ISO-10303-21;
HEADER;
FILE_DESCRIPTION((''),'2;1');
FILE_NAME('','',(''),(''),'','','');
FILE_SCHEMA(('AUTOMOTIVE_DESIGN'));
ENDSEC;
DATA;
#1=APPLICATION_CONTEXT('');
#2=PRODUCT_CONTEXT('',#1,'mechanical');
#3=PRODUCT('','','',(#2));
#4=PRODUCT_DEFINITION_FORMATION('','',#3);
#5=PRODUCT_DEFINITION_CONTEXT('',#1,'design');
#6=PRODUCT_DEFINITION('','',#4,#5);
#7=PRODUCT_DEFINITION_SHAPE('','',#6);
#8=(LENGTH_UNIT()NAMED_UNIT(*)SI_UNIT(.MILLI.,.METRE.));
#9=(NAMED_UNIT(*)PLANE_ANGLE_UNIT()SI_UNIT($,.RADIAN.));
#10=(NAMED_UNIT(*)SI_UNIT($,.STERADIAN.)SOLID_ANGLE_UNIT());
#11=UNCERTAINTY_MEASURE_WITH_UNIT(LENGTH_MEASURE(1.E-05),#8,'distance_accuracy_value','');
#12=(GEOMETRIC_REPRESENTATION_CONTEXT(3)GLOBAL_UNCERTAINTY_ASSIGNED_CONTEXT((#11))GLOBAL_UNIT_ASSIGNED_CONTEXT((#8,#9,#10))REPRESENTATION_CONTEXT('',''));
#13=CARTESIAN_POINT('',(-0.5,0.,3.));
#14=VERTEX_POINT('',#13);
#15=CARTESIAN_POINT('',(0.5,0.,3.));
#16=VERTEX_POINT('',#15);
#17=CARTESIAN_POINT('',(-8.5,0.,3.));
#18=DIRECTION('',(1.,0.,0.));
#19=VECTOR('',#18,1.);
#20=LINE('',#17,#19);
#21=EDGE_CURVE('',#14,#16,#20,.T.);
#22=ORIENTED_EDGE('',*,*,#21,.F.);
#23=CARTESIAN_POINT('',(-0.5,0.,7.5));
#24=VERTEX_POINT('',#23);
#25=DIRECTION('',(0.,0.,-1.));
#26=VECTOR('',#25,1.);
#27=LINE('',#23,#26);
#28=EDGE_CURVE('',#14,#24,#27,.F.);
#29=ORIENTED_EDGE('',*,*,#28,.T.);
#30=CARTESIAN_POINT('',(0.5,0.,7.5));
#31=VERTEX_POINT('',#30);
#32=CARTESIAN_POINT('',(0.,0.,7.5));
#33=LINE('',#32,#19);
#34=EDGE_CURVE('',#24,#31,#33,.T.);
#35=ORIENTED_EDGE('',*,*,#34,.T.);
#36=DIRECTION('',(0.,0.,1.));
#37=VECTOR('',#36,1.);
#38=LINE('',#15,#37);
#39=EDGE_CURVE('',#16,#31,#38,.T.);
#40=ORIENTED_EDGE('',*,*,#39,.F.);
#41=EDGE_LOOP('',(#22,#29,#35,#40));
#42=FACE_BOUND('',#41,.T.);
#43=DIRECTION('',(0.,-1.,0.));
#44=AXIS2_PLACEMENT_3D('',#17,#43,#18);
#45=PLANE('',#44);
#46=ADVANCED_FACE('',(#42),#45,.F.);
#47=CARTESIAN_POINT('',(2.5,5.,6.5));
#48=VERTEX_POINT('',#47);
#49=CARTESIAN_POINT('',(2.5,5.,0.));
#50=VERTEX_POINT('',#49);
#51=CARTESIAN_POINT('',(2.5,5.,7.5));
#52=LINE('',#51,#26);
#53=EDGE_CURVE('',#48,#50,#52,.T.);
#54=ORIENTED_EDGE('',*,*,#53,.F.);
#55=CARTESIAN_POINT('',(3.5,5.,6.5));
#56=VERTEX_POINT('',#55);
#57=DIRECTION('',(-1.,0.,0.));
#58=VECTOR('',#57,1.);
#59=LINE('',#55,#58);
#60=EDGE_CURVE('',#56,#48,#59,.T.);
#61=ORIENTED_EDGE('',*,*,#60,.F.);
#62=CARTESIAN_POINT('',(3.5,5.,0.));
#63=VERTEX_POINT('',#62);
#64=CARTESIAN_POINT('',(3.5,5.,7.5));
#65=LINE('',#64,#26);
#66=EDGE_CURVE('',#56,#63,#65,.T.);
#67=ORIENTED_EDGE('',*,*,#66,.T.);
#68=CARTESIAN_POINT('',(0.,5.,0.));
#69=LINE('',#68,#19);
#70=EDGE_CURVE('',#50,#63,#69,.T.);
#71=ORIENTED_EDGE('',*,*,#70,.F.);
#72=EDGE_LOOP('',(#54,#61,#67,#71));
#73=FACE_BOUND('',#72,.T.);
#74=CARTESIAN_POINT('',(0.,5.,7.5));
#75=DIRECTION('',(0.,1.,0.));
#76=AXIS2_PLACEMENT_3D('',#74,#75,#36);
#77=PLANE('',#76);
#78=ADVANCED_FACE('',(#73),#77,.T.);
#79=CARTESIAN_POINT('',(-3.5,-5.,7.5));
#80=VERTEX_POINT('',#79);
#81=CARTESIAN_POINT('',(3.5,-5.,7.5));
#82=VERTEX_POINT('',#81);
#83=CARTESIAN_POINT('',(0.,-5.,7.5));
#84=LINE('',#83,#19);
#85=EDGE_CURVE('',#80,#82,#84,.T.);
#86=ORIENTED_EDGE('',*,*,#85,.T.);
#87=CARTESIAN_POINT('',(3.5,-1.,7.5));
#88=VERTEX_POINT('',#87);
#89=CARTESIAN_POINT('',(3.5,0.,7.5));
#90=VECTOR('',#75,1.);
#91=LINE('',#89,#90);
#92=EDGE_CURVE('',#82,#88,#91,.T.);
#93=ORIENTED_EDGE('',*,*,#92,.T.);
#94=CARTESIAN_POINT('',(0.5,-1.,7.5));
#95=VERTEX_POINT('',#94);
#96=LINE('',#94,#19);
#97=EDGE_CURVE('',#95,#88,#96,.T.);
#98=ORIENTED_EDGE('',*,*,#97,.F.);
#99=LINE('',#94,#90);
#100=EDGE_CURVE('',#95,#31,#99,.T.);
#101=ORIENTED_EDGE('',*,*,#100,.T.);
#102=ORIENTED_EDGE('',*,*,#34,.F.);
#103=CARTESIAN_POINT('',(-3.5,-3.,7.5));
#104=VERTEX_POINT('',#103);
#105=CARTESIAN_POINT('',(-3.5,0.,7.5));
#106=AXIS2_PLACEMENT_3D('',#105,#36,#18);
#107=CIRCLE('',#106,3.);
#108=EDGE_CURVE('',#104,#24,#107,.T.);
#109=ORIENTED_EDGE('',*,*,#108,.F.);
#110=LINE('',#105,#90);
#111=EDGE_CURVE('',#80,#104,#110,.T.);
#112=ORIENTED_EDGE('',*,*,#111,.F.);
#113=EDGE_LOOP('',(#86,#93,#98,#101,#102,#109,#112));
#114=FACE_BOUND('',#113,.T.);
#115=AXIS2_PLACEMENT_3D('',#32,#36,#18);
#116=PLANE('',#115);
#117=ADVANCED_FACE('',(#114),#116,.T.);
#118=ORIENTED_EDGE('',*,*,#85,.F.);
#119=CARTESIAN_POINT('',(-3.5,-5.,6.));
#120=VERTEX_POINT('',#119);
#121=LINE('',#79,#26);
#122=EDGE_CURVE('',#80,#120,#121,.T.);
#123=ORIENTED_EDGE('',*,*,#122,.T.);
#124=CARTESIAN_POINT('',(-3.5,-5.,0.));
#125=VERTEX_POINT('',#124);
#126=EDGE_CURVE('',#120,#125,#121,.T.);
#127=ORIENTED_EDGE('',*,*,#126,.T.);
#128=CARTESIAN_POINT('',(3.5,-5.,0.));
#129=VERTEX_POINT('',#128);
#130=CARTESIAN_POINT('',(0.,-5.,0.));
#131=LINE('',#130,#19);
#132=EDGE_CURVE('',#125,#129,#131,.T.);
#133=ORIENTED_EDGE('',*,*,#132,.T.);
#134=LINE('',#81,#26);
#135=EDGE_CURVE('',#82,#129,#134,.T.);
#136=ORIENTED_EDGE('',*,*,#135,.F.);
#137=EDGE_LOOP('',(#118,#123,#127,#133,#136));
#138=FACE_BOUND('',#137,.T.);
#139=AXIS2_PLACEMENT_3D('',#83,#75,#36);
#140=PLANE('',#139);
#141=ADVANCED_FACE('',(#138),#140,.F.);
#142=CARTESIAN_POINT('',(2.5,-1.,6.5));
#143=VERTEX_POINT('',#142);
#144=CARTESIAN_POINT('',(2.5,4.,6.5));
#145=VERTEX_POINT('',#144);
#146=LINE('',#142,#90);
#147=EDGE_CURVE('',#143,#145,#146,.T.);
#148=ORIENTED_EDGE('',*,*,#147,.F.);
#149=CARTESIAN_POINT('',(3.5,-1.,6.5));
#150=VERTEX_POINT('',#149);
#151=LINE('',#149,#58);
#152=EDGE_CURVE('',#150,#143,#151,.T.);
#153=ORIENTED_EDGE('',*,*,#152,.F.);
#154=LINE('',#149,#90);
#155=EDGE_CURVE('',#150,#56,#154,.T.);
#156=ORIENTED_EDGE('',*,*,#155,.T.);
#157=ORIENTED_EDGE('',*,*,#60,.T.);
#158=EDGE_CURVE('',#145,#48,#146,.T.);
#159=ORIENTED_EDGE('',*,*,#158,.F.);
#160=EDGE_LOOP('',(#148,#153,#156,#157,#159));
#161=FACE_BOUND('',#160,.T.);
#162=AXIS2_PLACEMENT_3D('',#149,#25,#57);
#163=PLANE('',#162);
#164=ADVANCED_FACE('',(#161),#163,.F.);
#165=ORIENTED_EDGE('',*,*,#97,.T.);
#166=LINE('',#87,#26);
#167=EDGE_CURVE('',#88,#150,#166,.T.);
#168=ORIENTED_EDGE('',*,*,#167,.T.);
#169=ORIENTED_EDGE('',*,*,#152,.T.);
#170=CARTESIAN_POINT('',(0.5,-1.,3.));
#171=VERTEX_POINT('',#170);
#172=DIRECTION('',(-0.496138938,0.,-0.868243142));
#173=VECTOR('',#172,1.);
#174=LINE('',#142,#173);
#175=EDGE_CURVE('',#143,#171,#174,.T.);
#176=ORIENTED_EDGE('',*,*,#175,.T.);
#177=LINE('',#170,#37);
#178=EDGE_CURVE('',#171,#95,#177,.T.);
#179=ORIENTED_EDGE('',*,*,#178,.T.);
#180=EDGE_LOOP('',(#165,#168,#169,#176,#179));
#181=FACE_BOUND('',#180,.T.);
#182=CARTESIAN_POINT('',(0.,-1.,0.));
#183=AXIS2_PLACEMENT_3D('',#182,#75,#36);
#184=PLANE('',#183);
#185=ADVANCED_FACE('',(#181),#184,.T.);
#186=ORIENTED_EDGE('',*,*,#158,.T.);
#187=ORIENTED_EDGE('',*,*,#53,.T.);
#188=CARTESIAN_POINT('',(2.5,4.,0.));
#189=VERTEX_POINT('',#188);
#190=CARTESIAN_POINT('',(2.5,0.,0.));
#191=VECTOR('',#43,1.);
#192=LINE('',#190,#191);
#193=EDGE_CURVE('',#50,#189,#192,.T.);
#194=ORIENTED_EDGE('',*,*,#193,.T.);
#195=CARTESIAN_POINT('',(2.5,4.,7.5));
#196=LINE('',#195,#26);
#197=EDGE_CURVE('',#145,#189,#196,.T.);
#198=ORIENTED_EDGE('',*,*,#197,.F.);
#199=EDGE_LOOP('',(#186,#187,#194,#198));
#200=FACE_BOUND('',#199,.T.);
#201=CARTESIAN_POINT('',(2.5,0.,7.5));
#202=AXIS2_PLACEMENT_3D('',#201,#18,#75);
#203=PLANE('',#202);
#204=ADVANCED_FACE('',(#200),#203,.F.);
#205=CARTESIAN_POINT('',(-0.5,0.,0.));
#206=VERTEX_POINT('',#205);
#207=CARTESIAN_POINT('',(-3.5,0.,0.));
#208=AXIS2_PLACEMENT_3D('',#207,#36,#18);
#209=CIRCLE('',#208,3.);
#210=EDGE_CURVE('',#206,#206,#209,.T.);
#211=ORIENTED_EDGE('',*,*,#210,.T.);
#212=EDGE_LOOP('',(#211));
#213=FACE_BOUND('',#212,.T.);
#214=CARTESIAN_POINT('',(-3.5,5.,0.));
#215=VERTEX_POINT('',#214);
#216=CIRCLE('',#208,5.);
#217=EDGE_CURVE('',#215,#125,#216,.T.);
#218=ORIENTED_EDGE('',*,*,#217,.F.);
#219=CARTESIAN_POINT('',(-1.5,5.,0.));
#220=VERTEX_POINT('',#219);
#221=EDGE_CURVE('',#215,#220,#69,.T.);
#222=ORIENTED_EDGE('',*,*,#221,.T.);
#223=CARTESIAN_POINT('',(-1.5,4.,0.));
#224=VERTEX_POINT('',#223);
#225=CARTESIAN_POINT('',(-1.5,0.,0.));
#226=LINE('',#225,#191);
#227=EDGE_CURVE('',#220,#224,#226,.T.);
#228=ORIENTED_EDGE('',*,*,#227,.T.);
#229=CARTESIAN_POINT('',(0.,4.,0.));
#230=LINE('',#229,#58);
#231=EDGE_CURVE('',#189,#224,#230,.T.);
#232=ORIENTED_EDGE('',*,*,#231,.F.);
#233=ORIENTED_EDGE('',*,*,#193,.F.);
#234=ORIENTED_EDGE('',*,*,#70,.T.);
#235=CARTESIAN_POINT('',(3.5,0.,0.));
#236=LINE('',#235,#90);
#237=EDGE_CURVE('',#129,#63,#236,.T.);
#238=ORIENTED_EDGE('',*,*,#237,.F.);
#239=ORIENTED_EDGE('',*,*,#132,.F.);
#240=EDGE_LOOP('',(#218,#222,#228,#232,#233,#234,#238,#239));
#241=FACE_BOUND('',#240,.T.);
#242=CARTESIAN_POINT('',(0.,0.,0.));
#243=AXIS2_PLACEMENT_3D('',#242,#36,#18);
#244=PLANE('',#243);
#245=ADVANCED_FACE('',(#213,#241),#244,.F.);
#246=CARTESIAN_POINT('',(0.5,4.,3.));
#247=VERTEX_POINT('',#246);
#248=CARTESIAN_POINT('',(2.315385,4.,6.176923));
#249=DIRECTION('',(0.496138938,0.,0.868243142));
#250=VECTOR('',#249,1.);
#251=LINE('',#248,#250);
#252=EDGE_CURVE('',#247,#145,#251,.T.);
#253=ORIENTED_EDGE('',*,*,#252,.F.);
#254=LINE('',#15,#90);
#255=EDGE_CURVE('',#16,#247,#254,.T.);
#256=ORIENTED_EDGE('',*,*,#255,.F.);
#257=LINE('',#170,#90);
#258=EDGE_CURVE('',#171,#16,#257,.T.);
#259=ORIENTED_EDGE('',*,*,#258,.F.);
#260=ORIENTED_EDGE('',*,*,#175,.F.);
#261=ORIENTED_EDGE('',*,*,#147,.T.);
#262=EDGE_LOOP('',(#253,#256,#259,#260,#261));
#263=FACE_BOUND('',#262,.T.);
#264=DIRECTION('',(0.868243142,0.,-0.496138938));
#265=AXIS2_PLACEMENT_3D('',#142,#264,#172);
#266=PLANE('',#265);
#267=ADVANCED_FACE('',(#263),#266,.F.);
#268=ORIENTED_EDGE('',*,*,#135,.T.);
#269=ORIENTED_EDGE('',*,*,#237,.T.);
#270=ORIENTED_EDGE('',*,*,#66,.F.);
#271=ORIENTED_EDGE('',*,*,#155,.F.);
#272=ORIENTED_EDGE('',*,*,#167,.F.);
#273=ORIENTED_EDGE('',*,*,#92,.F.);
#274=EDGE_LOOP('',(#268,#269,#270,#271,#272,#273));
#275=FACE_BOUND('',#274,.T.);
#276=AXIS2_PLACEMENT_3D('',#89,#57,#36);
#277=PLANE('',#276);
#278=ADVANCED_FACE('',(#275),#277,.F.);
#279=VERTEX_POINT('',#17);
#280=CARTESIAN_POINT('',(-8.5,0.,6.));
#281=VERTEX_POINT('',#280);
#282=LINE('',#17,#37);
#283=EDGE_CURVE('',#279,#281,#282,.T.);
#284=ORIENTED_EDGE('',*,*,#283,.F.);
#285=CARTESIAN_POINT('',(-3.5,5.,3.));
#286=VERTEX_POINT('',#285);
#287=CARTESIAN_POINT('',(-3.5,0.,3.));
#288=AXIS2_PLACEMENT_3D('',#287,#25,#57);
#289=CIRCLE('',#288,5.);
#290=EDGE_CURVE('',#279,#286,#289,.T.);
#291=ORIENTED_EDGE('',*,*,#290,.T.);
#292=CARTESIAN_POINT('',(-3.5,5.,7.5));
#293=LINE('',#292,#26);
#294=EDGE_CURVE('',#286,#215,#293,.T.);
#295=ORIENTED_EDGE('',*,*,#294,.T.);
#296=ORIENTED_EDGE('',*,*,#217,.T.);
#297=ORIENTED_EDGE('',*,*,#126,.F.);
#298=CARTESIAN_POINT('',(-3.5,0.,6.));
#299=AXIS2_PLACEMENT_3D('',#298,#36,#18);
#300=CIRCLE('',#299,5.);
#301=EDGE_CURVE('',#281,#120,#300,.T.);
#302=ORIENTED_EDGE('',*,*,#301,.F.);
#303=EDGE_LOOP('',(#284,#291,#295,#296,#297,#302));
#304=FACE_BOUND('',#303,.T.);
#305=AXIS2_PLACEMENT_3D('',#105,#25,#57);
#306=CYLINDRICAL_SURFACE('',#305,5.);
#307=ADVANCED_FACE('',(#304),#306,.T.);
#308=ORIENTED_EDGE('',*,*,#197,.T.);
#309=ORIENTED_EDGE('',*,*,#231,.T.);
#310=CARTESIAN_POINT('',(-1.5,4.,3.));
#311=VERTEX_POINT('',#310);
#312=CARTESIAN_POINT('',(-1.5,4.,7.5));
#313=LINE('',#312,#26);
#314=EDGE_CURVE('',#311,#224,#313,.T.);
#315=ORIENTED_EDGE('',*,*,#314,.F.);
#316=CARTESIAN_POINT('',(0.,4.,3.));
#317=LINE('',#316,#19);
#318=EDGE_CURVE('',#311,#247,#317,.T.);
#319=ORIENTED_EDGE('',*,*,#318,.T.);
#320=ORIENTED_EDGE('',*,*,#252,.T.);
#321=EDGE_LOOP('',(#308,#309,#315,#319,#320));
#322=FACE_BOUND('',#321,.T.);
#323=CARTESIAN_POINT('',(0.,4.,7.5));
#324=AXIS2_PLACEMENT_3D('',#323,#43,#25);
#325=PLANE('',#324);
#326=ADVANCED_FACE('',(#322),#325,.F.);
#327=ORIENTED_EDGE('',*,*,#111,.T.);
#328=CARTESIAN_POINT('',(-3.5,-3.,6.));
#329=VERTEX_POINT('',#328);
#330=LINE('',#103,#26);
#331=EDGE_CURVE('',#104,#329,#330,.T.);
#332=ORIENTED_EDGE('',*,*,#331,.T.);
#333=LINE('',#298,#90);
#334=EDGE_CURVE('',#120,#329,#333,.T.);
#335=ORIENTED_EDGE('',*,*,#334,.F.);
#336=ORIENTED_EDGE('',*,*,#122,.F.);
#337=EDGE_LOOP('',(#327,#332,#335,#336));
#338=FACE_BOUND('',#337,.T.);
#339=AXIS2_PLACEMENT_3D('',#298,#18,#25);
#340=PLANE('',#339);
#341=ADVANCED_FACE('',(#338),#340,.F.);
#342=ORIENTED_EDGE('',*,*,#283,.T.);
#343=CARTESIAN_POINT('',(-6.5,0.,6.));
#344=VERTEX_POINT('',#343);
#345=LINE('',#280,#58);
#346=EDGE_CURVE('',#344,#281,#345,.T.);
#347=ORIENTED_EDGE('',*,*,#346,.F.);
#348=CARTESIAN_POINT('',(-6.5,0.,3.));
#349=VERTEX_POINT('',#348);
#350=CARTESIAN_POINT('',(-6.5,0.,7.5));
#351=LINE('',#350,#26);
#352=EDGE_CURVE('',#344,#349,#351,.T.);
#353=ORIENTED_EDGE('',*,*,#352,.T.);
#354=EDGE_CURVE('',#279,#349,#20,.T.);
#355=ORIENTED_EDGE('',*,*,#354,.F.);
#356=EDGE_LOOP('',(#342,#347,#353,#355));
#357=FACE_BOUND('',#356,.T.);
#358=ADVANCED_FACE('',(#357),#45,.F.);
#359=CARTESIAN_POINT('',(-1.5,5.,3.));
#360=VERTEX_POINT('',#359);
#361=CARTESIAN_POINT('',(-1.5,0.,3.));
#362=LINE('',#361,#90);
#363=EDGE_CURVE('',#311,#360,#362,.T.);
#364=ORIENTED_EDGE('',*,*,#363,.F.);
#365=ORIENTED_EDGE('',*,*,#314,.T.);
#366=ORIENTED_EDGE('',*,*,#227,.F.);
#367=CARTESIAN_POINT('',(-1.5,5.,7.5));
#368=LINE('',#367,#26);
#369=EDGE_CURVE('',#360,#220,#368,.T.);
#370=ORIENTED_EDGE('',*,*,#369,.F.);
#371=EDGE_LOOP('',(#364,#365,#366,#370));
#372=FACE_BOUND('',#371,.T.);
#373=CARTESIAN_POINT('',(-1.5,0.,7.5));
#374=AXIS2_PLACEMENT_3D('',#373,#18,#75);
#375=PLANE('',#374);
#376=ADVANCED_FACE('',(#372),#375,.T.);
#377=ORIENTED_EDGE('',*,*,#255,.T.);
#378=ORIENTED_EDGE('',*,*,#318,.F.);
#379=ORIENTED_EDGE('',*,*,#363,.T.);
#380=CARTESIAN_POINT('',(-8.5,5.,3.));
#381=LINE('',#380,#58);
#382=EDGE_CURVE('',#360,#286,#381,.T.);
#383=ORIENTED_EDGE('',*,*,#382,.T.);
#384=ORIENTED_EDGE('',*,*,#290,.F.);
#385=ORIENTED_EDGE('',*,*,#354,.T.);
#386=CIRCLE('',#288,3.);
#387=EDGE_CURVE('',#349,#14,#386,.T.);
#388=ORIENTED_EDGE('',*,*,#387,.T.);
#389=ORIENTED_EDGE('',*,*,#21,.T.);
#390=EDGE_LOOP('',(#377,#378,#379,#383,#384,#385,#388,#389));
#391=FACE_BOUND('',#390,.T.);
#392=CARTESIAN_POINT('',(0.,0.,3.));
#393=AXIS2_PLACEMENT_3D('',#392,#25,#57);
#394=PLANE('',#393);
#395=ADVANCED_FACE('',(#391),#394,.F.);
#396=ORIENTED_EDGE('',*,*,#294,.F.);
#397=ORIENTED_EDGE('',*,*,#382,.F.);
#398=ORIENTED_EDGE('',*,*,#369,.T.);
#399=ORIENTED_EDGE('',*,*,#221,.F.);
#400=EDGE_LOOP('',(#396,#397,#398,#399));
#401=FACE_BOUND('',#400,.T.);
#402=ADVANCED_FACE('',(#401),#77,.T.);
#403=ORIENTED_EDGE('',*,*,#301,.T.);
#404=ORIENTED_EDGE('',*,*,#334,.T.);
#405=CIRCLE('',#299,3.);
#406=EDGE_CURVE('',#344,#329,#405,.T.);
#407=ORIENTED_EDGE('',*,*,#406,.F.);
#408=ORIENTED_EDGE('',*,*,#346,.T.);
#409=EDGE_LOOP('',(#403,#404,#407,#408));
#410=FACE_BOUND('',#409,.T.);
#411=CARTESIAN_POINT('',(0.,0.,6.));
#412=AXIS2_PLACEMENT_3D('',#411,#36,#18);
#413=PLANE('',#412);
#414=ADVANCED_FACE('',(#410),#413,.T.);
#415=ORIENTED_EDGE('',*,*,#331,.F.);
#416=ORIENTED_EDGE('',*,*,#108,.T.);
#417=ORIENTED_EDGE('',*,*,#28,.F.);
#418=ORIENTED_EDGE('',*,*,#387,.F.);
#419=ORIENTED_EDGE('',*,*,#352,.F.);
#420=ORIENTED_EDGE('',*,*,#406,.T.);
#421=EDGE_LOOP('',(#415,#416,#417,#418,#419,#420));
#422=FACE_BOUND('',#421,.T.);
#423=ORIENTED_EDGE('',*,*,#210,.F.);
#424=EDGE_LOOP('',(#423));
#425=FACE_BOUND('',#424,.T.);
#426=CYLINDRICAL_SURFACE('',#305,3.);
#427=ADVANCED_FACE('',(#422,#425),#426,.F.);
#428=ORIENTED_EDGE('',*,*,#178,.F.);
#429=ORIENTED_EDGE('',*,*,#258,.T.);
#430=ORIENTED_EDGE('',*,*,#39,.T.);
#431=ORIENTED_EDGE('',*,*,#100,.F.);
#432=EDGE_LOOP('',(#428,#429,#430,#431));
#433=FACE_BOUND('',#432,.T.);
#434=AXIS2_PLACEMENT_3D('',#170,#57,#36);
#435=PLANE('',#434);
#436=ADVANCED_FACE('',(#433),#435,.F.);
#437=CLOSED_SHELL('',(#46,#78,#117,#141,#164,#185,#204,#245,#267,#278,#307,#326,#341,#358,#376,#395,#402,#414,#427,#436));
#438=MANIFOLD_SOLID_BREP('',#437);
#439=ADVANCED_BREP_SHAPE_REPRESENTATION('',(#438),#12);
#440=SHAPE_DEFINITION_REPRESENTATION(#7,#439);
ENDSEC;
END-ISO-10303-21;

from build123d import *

# Parameters (mm, degrees)
SKETCH1_R           = 3
BOSS_EXTRUDE1_DEPTH = 7.5
SKETCH2_W           = 9
SKETCH2_H           = 5
CUT_EXTRUDE1_DEPTH  = 4.5
SKETCH3_W           = 5
SKETCH3_H           = 5
CUT_EXTRUDE2_DEPTH  = 1.5
CUT_EXTRUDE3_DEPTH  = 6


with BuildPart() as part:
    # Sketch1 → Boss-Extrude1 (new body)
    with BuildSketch(Plane.XY):
        with BuildLine():
            Line((-1.5, 5), (-3.5, 5))
            ThreePointArc((-3.5, 5), (-8.5, 0), (-3.5, -5))
            Line((-3.5, -5), (3.5, -5))
            Line((3.5, -5), (3.5, 5))
            Line((3.5, 5), (2.5, 5))
            Line((2.5, 5), (2.5, 4))
            Line((2.5, 4), (-1.5, 4))
            Line((-1.5, 4), (-1.5, 5))
        make_face()
        with Locations((-3.5, 0)):
            Circle(SKETCH1_R, mode=Mode.SUBTRACT)
    extrude(amount=BOSS_EXTRUDE1_DEPTH)

    # Sketch2 → Cut-Extrude1 (cut)
    with BuildSketch(Plane.XY.offset(7.5)):
        with Locations((-4, 2.5)):
            Rectangle(SKETCH2_W, SKETCH2_H)
    extrude(amount=-CUT_EXTRUDE1_DEPTH, mode=Mode.SUBTRACT)

    # Sketch3 → Cut-Extrude2 (cut)
    with BuildSketch(Plane.XY.offset(7.5)):
        with Locations((-6, -2.5)):
            Rectangle(SKETCH3_W, SKETCH3_H)
    extrude(amount=-CUT_EXTRUDE2_DEPTH, mode=Mode.SUBTRACT)

    # Sketch4 → Cut-Extrude3 (cut)
    with BuildSketch(Plane(origin=(0, 5, 0), x_dir=(1, 0, 0), z_dir=(0, 1, 0))):
        Polygon((3.5, -6.5), (2.5, -6.5), (0.5, -3), (0.5, -7.5), (3.5, -7.5), align=None)
    extrude(amount=-CUT_EXTRUDE3_DEPTH, mode=Mode.SUBTRACT)


solid = part.part
